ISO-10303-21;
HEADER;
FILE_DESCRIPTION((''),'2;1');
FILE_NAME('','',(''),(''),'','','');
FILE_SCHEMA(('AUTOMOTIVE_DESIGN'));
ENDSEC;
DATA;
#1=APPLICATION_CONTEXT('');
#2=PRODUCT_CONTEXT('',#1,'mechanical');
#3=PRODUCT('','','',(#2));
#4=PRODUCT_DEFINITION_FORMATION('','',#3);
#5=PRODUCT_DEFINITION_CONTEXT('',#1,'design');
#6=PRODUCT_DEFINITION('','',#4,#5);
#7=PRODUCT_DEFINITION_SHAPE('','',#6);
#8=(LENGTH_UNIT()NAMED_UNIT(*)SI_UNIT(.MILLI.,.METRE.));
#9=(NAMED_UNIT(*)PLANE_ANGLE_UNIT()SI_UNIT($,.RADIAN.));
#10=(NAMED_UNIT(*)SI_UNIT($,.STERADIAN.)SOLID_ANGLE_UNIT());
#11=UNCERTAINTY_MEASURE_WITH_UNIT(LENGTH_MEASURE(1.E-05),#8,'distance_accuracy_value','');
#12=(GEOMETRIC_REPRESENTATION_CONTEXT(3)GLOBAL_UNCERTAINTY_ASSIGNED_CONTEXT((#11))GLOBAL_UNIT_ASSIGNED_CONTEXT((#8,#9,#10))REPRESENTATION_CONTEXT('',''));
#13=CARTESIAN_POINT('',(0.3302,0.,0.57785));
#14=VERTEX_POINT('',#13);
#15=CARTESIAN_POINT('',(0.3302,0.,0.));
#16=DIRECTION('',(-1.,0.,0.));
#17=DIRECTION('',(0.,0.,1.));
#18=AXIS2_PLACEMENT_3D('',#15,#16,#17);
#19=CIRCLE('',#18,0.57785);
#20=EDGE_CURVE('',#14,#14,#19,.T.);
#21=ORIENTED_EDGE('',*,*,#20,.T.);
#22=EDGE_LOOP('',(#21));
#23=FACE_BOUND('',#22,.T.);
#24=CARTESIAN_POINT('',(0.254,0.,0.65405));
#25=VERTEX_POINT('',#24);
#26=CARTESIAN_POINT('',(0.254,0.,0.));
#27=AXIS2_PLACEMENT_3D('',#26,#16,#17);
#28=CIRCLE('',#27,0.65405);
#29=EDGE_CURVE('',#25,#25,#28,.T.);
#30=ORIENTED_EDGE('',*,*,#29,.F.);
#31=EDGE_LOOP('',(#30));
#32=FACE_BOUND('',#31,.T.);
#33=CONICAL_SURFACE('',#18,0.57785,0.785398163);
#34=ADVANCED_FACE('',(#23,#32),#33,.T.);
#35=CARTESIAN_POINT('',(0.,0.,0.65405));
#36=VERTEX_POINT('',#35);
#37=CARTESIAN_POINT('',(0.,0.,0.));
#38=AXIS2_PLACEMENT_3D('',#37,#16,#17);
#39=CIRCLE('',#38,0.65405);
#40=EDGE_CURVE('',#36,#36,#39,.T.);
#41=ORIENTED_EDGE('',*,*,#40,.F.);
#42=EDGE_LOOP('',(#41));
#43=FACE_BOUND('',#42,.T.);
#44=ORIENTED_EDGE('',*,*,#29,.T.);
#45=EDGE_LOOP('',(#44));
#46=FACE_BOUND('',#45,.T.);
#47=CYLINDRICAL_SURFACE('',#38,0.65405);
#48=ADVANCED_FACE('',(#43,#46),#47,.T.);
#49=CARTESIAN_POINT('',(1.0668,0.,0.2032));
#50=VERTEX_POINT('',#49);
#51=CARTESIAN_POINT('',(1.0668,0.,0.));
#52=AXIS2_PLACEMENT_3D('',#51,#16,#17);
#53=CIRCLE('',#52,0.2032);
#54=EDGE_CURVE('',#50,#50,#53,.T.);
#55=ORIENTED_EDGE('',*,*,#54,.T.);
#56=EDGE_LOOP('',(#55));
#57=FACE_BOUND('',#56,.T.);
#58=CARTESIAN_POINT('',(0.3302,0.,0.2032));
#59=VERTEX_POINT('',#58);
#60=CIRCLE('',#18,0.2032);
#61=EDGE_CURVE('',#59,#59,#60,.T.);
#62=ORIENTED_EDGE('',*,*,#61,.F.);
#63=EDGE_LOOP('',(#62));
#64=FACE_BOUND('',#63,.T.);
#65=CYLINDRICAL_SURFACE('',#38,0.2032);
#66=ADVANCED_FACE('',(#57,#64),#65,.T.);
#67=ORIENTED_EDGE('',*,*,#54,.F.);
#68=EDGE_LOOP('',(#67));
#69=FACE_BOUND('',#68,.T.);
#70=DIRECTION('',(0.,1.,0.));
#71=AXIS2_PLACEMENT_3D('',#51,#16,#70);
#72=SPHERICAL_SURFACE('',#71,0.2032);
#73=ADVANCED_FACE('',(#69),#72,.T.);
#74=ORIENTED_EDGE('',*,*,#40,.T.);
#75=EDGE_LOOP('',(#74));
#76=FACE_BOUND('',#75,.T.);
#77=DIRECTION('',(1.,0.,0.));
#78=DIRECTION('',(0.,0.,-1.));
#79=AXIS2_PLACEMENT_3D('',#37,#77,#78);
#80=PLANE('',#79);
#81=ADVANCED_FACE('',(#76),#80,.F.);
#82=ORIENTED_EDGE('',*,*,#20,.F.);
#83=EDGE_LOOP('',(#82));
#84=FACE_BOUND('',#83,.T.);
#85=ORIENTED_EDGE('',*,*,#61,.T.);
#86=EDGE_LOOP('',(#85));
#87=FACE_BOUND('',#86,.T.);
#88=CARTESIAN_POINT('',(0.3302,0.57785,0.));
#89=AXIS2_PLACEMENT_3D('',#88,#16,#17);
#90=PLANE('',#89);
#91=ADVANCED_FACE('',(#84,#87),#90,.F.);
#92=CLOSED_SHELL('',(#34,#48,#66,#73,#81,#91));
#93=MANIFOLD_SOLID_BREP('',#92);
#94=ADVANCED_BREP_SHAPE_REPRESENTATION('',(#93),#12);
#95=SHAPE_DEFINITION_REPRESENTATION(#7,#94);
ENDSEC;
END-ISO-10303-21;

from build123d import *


with BuildPart() as part:
    # Sketch1 → RevolutionAngle1 (revolve)
    with BuildSketch(Plane.XY):
        with BuildLine():
            Line((0, 0), (0, 0.65405))
            Line((0, 0.65405), (0.254, 0.65405))
            Line((0.254, 0.65405), (0.3302, 0.57785))
            Line((0.3302, 0.57785), (0.3302, 0.2032))
            Line((0.3302, 0.2032), (1.0668, 0.2032))
            ThreePointArc((1.0668, 0.2032), (1.210484098, 0.143684098), (1.27, 0))
            Line((1.27, 0), (0, 0))
        make_face()
    revolve(axis=Axis((0, 0, 0), (1, 0, 0)))


solid = part.part
